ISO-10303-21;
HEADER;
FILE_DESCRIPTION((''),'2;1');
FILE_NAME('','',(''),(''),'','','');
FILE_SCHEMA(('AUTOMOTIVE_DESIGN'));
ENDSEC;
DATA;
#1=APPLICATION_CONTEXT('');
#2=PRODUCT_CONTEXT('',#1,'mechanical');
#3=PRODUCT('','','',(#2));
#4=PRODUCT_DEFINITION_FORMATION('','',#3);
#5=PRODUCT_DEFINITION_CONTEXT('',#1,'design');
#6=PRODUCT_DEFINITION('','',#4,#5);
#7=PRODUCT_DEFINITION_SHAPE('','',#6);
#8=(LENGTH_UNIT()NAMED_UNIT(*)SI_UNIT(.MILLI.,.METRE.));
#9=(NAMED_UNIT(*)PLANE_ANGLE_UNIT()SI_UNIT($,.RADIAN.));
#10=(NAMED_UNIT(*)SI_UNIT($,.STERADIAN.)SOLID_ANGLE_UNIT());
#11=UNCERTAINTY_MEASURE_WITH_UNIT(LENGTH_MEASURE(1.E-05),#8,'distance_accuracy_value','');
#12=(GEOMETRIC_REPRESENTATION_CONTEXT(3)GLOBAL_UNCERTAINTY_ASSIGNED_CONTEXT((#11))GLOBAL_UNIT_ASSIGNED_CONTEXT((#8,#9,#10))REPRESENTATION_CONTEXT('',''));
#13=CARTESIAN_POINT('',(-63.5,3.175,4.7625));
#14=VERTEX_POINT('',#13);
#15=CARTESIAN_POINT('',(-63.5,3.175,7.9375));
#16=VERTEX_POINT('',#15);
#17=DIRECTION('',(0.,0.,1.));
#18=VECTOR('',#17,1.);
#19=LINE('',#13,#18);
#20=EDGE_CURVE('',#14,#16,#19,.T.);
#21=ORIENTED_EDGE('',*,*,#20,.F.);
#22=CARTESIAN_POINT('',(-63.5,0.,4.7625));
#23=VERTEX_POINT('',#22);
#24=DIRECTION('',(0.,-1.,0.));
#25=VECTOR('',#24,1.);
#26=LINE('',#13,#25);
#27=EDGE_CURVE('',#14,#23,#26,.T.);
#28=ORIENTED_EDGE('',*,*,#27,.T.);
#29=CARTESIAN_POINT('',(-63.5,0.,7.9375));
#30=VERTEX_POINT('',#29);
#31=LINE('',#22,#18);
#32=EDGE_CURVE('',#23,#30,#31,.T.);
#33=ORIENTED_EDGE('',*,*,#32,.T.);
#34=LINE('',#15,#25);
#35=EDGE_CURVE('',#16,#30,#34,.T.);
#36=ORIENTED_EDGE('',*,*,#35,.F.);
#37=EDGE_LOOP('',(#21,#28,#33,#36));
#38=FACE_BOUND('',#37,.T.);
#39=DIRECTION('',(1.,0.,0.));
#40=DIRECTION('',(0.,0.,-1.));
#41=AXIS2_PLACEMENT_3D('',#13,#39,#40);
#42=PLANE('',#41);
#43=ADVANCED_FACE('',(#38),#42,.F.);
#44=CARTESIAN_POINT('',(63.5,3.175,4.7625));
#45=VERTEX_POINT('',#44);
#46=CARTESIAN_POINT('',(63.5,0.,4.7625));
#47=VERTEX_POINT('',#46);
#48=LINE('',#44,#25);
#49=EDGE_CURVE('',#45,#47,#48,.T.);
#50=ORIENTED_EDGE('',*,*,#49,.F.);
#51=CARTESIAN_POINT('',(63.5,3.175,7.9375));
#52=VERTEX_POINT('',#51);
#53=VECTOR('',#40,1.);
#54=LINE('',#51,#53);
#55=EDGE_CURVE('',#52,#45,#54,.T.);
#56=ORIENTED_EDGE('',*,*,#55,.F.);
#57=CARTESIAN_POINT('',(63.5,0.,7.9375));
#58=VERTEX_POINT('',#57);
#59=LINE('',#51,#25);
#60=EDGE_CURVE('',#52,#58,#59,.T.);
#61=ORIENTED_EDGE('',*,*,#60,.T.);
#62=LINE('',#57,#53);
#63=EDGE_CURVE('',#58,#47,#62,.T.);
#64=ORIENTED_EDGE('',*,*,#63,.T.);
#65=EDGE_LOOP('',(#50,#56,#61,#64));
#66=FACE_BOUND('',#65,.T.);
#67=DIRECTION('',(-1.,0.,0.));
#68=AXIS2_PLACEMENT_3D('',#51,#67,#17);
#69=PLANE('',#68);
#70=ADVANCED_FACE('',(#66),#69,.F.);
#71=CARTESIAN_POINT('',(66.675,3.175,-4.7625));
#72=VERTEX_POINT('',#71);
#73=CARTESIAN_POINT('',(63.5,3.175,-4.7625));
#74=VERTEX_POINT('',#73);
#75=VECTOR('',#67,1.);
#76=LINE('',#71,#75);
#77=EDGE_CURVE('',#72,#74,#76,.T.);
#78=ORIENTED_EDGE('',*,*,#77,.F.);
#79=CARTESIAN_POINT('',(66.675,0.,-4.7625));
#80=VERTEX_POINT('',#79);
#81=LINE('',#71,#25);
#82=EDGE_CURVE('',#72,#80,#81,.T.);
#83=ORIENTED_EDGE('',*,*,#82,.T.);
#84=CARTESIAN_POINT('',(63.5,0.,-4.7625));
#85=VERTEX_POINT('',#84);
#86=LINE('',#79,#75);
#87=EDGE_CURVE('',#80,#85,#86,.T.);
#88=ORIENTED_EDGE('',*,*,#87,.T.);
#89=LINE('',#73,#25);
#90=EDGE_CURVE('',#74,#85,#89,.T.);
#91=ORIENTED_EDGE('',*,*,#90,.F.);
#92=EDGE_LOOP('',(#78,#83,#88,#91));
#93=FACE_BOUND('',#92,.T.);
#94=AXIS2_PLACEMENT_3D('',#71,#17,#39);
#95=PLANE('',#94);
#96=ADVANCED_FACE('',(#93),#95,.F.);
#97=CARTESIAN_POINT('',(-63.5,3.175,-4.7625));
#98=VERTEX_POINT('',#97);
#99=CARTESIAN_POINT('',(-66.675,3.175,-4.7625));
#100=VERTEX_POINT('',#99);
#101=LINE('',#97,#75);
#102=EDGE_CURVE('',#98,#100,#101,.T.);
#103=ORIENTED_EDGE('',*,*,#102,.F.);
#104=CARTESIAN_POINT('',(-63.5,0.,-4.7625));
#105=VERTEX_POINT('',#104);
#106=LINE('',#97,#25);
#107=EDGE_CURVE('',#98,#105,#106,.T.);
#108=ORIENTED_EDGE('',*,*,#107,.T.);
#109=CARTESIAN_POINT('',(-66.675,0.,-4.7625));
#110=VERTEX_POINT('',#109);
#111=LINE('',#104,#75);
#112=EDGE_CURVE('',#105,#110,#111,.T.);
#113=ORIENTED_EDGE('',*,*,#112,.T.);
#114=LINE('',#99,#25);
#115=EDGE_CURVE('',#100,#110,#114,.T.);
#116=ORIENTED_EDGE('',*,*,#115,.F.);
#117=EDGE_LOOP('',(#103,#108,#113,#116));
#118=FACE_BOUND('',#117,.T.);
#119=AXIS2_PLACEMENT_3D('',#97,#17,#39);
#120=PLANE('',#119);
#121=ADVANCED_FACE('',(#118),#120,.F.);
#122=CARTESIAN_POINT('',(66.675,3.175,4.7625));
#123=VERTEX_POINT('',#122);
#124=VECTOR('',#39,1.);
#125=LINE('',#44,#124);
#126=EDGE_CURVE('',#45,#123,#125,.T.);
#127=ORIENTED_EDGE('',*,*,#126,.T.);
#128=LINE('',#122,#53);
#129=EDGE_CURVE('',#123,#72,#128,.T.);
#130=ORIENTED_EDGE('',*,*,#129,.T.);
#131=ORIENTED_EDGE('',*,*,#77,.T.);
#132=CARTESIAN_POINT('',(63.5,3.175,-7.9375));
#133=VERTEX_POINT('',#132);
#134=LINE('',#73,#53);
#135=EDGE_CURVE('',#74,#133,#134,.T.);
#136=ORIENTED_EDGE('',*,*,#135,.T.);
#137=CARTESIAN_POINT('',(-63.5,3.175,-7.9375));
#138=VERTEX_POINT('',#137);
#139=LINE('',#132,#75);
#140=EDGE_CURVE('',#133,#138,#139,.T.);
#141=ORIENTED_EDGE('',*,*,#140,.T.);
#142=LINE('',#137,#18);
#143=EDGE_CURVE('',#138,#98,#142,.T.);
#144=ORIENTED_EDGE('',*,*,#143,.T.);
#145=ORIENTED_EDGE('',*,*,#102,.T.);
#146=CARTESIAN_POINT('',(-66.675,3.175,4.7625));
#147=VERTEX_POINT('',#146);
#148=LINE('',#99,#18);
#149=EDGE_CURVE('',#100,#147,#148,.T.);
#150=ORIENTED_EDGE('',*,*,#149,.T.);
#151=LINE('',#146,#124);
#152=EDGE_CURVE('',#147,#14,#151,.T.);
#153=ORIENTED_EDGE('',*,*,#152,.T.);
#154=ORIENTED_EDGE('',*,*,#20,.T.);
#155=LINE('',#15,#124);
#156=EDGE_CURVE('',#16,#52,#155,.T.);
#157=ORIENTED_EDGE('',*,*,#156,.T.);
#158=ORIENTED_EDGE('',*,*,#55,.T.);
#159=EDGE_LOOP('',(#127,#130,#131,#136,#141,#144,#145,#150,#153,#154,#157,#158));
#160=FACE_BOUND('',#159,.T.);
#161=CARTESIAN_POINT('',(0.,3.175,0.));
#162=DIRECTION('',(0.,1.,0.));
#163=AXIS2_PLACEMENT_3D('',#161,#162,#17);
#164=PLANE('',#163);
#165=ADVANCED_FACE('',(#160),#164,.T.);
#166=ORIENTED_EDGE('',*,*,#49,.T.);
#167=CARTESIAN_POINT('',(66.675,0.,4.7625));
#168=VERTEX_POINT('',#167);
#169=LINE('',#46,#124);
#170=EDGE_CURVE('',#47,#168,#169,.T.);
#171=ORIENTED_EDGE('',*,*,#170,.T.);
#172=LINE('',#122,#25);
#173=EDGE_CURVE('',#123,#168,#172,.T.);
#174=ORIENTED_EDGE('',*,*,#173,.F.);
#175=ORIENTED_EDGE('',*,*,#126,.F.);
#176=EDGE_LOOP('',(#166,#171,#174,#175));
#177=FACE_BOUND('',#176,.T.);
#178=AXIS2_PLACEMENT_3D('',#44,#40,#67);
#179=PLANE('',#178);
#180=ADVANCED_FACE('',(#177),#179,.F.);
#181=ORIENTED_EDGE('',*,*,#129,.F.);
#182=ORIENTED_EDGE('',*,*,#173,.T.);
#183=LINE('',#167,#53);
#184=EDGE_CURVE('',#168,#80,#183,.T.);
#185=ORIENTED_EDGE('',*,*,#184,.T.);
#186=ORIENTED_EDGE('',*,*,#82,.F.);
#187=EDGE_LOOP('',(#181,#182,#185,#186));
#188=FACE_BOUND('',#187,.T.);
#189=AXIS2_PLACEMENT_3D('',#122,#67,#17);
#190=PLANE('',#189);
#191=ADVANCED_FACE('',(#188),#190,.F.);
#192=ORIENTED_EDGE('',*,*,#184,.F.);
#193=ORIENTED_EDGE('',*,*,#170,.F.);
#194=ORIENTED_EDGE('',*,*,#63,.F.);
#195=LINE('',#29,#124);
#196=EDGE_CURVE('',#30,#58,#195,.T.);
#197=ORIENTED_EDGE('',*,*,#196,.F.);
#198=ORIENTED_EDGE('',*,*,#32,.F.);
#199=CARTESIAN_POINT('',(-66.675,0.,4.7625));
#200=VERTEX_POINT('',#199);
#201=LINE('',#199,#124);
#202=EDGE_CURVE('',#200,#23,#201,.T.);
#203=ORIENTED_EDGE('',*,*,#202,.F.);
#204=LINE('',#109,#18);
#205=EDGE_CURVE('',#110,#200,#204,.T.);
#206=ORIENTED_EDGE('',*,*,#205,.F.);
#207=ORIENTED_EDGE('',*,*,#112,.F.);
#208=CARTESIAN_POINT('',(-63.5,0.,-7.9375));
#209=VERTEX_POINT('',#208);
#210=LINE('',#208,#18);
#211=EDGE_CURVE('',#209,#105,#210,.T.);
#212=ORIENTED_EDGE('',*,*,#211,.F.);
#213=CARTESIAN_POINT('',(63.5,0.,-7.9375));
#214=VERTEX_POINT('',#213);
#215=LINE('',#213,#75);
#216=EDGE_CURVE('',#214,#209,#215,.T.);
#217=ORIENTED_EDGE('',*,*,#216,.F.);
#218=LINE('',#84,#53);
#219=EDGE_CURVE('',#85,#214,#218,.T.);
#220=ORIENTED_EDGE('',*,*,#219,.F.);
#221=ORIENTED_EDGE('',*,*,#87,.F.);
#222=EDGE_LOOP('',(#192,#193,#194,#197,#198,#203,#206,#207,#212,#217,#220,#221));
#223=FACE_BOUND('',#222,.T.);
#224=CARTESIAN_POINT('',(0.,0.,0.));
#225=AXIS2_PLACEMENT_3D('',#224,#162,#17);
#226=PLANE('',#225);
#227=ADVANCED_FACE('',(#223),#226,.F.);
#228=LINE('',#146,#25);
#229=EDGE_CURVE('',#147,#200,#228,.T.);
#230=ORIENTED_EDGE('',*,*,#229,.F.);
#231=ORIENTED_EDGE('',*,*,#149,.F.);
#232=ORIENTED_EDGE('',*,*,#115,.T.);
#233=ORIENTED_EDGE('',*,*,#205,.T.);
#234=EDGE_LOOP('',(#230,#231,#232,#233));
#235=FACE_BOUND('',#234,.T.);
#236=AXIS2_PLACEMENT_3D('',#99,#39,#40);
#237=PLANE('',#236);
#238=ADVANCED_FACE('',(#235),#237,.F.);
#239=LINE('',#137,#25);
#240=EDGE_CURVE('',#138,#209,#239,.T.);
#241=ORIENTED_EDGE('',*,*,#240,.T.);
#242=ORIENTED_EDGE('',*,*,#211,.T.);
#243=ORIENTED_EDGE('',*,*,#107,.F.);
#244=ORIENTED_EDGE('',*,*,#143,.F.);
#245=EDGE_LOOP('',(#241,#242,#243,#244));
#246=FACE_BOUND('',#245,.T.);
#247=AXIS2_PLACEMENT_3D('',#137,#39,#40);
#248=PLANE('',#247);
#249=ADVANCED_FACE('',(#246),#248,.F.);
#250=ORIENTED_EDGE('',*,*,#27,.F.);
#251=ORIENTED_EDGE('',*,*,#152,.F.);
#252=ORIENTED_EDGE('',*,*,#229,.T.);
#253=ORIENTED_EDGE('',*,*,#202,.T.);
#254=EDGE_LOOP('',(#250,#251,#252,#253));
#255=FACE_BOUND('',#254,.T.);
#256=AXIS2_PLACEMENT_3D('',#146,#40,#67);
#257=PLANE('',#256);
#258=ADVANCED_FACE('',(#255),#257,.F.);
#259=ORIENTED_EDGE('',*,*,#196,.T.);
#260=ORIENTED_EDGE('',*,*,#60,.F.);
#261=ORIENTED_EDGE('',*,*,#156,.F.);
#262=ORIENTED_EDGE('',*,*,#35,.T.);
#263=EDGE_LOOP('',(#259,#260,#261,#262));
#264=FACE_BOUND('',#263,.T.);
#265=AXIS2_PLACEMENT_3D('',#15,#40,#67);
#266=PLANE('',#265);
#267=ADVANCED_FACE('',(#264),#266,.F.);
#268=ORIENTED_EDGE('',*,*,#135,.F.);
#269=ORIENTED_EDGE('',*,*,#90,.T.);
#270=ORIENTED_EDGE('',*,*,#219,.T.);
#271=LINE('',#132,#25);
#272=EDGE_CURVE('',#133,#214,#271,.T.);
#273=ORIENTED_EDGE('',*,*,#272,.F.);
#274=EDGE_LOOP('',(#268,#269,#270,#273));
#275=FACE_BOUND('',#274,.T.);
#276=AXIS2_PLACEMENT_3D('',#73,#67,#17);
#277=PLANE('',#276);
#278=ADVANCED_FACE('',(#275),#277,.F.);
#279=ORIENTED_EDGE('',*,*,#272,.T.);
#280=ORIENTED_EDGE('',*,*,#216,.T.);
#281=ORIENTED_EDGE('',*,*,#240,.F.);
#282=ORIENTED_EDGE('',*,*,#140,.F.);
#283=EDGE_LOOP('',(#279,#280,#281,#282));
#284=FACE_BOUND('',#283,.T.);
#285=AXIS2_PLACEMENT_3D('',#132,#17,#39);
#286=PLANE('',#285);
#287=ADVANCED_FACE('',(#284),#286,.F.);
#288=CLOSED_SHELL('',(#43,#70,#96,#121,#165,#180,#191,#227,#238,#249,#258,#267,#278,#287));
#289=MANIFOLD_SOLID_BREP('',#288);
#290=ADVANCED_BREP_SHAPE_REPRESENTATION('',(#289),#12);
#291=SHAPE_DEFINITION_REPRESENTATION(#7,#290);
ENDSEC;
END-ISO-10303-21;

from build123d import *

# Parameters (mm, degrees)
BOSS_EXTRUDE1_DEPTH = 3.175


with BuildPart() as part:
    # Sketch1 → Boss-Extrude1 (new body)
    with BuildSketch(Plane(origin=(0, 0, 0), x_dir=(1, 0, 0), z_dir=(0, 1, 0))):
        Polygon((-63.5, -7.9375), (63.5, -7.9375), (63.5, -4.7625), (66.675, -4.7625), (66.675, 4.7625), (63.5, 4.7625), (63.5, 7.9375), (-63.5, 7.9375), (-63.5, 4.7625), (-66.675, 4.7625), (-66.675, -4.7625), (-63.5, -4.7625), align=None)
    extrude(amount=BOSS_EXTRUDE1_DEPTH)


solid = part.part
